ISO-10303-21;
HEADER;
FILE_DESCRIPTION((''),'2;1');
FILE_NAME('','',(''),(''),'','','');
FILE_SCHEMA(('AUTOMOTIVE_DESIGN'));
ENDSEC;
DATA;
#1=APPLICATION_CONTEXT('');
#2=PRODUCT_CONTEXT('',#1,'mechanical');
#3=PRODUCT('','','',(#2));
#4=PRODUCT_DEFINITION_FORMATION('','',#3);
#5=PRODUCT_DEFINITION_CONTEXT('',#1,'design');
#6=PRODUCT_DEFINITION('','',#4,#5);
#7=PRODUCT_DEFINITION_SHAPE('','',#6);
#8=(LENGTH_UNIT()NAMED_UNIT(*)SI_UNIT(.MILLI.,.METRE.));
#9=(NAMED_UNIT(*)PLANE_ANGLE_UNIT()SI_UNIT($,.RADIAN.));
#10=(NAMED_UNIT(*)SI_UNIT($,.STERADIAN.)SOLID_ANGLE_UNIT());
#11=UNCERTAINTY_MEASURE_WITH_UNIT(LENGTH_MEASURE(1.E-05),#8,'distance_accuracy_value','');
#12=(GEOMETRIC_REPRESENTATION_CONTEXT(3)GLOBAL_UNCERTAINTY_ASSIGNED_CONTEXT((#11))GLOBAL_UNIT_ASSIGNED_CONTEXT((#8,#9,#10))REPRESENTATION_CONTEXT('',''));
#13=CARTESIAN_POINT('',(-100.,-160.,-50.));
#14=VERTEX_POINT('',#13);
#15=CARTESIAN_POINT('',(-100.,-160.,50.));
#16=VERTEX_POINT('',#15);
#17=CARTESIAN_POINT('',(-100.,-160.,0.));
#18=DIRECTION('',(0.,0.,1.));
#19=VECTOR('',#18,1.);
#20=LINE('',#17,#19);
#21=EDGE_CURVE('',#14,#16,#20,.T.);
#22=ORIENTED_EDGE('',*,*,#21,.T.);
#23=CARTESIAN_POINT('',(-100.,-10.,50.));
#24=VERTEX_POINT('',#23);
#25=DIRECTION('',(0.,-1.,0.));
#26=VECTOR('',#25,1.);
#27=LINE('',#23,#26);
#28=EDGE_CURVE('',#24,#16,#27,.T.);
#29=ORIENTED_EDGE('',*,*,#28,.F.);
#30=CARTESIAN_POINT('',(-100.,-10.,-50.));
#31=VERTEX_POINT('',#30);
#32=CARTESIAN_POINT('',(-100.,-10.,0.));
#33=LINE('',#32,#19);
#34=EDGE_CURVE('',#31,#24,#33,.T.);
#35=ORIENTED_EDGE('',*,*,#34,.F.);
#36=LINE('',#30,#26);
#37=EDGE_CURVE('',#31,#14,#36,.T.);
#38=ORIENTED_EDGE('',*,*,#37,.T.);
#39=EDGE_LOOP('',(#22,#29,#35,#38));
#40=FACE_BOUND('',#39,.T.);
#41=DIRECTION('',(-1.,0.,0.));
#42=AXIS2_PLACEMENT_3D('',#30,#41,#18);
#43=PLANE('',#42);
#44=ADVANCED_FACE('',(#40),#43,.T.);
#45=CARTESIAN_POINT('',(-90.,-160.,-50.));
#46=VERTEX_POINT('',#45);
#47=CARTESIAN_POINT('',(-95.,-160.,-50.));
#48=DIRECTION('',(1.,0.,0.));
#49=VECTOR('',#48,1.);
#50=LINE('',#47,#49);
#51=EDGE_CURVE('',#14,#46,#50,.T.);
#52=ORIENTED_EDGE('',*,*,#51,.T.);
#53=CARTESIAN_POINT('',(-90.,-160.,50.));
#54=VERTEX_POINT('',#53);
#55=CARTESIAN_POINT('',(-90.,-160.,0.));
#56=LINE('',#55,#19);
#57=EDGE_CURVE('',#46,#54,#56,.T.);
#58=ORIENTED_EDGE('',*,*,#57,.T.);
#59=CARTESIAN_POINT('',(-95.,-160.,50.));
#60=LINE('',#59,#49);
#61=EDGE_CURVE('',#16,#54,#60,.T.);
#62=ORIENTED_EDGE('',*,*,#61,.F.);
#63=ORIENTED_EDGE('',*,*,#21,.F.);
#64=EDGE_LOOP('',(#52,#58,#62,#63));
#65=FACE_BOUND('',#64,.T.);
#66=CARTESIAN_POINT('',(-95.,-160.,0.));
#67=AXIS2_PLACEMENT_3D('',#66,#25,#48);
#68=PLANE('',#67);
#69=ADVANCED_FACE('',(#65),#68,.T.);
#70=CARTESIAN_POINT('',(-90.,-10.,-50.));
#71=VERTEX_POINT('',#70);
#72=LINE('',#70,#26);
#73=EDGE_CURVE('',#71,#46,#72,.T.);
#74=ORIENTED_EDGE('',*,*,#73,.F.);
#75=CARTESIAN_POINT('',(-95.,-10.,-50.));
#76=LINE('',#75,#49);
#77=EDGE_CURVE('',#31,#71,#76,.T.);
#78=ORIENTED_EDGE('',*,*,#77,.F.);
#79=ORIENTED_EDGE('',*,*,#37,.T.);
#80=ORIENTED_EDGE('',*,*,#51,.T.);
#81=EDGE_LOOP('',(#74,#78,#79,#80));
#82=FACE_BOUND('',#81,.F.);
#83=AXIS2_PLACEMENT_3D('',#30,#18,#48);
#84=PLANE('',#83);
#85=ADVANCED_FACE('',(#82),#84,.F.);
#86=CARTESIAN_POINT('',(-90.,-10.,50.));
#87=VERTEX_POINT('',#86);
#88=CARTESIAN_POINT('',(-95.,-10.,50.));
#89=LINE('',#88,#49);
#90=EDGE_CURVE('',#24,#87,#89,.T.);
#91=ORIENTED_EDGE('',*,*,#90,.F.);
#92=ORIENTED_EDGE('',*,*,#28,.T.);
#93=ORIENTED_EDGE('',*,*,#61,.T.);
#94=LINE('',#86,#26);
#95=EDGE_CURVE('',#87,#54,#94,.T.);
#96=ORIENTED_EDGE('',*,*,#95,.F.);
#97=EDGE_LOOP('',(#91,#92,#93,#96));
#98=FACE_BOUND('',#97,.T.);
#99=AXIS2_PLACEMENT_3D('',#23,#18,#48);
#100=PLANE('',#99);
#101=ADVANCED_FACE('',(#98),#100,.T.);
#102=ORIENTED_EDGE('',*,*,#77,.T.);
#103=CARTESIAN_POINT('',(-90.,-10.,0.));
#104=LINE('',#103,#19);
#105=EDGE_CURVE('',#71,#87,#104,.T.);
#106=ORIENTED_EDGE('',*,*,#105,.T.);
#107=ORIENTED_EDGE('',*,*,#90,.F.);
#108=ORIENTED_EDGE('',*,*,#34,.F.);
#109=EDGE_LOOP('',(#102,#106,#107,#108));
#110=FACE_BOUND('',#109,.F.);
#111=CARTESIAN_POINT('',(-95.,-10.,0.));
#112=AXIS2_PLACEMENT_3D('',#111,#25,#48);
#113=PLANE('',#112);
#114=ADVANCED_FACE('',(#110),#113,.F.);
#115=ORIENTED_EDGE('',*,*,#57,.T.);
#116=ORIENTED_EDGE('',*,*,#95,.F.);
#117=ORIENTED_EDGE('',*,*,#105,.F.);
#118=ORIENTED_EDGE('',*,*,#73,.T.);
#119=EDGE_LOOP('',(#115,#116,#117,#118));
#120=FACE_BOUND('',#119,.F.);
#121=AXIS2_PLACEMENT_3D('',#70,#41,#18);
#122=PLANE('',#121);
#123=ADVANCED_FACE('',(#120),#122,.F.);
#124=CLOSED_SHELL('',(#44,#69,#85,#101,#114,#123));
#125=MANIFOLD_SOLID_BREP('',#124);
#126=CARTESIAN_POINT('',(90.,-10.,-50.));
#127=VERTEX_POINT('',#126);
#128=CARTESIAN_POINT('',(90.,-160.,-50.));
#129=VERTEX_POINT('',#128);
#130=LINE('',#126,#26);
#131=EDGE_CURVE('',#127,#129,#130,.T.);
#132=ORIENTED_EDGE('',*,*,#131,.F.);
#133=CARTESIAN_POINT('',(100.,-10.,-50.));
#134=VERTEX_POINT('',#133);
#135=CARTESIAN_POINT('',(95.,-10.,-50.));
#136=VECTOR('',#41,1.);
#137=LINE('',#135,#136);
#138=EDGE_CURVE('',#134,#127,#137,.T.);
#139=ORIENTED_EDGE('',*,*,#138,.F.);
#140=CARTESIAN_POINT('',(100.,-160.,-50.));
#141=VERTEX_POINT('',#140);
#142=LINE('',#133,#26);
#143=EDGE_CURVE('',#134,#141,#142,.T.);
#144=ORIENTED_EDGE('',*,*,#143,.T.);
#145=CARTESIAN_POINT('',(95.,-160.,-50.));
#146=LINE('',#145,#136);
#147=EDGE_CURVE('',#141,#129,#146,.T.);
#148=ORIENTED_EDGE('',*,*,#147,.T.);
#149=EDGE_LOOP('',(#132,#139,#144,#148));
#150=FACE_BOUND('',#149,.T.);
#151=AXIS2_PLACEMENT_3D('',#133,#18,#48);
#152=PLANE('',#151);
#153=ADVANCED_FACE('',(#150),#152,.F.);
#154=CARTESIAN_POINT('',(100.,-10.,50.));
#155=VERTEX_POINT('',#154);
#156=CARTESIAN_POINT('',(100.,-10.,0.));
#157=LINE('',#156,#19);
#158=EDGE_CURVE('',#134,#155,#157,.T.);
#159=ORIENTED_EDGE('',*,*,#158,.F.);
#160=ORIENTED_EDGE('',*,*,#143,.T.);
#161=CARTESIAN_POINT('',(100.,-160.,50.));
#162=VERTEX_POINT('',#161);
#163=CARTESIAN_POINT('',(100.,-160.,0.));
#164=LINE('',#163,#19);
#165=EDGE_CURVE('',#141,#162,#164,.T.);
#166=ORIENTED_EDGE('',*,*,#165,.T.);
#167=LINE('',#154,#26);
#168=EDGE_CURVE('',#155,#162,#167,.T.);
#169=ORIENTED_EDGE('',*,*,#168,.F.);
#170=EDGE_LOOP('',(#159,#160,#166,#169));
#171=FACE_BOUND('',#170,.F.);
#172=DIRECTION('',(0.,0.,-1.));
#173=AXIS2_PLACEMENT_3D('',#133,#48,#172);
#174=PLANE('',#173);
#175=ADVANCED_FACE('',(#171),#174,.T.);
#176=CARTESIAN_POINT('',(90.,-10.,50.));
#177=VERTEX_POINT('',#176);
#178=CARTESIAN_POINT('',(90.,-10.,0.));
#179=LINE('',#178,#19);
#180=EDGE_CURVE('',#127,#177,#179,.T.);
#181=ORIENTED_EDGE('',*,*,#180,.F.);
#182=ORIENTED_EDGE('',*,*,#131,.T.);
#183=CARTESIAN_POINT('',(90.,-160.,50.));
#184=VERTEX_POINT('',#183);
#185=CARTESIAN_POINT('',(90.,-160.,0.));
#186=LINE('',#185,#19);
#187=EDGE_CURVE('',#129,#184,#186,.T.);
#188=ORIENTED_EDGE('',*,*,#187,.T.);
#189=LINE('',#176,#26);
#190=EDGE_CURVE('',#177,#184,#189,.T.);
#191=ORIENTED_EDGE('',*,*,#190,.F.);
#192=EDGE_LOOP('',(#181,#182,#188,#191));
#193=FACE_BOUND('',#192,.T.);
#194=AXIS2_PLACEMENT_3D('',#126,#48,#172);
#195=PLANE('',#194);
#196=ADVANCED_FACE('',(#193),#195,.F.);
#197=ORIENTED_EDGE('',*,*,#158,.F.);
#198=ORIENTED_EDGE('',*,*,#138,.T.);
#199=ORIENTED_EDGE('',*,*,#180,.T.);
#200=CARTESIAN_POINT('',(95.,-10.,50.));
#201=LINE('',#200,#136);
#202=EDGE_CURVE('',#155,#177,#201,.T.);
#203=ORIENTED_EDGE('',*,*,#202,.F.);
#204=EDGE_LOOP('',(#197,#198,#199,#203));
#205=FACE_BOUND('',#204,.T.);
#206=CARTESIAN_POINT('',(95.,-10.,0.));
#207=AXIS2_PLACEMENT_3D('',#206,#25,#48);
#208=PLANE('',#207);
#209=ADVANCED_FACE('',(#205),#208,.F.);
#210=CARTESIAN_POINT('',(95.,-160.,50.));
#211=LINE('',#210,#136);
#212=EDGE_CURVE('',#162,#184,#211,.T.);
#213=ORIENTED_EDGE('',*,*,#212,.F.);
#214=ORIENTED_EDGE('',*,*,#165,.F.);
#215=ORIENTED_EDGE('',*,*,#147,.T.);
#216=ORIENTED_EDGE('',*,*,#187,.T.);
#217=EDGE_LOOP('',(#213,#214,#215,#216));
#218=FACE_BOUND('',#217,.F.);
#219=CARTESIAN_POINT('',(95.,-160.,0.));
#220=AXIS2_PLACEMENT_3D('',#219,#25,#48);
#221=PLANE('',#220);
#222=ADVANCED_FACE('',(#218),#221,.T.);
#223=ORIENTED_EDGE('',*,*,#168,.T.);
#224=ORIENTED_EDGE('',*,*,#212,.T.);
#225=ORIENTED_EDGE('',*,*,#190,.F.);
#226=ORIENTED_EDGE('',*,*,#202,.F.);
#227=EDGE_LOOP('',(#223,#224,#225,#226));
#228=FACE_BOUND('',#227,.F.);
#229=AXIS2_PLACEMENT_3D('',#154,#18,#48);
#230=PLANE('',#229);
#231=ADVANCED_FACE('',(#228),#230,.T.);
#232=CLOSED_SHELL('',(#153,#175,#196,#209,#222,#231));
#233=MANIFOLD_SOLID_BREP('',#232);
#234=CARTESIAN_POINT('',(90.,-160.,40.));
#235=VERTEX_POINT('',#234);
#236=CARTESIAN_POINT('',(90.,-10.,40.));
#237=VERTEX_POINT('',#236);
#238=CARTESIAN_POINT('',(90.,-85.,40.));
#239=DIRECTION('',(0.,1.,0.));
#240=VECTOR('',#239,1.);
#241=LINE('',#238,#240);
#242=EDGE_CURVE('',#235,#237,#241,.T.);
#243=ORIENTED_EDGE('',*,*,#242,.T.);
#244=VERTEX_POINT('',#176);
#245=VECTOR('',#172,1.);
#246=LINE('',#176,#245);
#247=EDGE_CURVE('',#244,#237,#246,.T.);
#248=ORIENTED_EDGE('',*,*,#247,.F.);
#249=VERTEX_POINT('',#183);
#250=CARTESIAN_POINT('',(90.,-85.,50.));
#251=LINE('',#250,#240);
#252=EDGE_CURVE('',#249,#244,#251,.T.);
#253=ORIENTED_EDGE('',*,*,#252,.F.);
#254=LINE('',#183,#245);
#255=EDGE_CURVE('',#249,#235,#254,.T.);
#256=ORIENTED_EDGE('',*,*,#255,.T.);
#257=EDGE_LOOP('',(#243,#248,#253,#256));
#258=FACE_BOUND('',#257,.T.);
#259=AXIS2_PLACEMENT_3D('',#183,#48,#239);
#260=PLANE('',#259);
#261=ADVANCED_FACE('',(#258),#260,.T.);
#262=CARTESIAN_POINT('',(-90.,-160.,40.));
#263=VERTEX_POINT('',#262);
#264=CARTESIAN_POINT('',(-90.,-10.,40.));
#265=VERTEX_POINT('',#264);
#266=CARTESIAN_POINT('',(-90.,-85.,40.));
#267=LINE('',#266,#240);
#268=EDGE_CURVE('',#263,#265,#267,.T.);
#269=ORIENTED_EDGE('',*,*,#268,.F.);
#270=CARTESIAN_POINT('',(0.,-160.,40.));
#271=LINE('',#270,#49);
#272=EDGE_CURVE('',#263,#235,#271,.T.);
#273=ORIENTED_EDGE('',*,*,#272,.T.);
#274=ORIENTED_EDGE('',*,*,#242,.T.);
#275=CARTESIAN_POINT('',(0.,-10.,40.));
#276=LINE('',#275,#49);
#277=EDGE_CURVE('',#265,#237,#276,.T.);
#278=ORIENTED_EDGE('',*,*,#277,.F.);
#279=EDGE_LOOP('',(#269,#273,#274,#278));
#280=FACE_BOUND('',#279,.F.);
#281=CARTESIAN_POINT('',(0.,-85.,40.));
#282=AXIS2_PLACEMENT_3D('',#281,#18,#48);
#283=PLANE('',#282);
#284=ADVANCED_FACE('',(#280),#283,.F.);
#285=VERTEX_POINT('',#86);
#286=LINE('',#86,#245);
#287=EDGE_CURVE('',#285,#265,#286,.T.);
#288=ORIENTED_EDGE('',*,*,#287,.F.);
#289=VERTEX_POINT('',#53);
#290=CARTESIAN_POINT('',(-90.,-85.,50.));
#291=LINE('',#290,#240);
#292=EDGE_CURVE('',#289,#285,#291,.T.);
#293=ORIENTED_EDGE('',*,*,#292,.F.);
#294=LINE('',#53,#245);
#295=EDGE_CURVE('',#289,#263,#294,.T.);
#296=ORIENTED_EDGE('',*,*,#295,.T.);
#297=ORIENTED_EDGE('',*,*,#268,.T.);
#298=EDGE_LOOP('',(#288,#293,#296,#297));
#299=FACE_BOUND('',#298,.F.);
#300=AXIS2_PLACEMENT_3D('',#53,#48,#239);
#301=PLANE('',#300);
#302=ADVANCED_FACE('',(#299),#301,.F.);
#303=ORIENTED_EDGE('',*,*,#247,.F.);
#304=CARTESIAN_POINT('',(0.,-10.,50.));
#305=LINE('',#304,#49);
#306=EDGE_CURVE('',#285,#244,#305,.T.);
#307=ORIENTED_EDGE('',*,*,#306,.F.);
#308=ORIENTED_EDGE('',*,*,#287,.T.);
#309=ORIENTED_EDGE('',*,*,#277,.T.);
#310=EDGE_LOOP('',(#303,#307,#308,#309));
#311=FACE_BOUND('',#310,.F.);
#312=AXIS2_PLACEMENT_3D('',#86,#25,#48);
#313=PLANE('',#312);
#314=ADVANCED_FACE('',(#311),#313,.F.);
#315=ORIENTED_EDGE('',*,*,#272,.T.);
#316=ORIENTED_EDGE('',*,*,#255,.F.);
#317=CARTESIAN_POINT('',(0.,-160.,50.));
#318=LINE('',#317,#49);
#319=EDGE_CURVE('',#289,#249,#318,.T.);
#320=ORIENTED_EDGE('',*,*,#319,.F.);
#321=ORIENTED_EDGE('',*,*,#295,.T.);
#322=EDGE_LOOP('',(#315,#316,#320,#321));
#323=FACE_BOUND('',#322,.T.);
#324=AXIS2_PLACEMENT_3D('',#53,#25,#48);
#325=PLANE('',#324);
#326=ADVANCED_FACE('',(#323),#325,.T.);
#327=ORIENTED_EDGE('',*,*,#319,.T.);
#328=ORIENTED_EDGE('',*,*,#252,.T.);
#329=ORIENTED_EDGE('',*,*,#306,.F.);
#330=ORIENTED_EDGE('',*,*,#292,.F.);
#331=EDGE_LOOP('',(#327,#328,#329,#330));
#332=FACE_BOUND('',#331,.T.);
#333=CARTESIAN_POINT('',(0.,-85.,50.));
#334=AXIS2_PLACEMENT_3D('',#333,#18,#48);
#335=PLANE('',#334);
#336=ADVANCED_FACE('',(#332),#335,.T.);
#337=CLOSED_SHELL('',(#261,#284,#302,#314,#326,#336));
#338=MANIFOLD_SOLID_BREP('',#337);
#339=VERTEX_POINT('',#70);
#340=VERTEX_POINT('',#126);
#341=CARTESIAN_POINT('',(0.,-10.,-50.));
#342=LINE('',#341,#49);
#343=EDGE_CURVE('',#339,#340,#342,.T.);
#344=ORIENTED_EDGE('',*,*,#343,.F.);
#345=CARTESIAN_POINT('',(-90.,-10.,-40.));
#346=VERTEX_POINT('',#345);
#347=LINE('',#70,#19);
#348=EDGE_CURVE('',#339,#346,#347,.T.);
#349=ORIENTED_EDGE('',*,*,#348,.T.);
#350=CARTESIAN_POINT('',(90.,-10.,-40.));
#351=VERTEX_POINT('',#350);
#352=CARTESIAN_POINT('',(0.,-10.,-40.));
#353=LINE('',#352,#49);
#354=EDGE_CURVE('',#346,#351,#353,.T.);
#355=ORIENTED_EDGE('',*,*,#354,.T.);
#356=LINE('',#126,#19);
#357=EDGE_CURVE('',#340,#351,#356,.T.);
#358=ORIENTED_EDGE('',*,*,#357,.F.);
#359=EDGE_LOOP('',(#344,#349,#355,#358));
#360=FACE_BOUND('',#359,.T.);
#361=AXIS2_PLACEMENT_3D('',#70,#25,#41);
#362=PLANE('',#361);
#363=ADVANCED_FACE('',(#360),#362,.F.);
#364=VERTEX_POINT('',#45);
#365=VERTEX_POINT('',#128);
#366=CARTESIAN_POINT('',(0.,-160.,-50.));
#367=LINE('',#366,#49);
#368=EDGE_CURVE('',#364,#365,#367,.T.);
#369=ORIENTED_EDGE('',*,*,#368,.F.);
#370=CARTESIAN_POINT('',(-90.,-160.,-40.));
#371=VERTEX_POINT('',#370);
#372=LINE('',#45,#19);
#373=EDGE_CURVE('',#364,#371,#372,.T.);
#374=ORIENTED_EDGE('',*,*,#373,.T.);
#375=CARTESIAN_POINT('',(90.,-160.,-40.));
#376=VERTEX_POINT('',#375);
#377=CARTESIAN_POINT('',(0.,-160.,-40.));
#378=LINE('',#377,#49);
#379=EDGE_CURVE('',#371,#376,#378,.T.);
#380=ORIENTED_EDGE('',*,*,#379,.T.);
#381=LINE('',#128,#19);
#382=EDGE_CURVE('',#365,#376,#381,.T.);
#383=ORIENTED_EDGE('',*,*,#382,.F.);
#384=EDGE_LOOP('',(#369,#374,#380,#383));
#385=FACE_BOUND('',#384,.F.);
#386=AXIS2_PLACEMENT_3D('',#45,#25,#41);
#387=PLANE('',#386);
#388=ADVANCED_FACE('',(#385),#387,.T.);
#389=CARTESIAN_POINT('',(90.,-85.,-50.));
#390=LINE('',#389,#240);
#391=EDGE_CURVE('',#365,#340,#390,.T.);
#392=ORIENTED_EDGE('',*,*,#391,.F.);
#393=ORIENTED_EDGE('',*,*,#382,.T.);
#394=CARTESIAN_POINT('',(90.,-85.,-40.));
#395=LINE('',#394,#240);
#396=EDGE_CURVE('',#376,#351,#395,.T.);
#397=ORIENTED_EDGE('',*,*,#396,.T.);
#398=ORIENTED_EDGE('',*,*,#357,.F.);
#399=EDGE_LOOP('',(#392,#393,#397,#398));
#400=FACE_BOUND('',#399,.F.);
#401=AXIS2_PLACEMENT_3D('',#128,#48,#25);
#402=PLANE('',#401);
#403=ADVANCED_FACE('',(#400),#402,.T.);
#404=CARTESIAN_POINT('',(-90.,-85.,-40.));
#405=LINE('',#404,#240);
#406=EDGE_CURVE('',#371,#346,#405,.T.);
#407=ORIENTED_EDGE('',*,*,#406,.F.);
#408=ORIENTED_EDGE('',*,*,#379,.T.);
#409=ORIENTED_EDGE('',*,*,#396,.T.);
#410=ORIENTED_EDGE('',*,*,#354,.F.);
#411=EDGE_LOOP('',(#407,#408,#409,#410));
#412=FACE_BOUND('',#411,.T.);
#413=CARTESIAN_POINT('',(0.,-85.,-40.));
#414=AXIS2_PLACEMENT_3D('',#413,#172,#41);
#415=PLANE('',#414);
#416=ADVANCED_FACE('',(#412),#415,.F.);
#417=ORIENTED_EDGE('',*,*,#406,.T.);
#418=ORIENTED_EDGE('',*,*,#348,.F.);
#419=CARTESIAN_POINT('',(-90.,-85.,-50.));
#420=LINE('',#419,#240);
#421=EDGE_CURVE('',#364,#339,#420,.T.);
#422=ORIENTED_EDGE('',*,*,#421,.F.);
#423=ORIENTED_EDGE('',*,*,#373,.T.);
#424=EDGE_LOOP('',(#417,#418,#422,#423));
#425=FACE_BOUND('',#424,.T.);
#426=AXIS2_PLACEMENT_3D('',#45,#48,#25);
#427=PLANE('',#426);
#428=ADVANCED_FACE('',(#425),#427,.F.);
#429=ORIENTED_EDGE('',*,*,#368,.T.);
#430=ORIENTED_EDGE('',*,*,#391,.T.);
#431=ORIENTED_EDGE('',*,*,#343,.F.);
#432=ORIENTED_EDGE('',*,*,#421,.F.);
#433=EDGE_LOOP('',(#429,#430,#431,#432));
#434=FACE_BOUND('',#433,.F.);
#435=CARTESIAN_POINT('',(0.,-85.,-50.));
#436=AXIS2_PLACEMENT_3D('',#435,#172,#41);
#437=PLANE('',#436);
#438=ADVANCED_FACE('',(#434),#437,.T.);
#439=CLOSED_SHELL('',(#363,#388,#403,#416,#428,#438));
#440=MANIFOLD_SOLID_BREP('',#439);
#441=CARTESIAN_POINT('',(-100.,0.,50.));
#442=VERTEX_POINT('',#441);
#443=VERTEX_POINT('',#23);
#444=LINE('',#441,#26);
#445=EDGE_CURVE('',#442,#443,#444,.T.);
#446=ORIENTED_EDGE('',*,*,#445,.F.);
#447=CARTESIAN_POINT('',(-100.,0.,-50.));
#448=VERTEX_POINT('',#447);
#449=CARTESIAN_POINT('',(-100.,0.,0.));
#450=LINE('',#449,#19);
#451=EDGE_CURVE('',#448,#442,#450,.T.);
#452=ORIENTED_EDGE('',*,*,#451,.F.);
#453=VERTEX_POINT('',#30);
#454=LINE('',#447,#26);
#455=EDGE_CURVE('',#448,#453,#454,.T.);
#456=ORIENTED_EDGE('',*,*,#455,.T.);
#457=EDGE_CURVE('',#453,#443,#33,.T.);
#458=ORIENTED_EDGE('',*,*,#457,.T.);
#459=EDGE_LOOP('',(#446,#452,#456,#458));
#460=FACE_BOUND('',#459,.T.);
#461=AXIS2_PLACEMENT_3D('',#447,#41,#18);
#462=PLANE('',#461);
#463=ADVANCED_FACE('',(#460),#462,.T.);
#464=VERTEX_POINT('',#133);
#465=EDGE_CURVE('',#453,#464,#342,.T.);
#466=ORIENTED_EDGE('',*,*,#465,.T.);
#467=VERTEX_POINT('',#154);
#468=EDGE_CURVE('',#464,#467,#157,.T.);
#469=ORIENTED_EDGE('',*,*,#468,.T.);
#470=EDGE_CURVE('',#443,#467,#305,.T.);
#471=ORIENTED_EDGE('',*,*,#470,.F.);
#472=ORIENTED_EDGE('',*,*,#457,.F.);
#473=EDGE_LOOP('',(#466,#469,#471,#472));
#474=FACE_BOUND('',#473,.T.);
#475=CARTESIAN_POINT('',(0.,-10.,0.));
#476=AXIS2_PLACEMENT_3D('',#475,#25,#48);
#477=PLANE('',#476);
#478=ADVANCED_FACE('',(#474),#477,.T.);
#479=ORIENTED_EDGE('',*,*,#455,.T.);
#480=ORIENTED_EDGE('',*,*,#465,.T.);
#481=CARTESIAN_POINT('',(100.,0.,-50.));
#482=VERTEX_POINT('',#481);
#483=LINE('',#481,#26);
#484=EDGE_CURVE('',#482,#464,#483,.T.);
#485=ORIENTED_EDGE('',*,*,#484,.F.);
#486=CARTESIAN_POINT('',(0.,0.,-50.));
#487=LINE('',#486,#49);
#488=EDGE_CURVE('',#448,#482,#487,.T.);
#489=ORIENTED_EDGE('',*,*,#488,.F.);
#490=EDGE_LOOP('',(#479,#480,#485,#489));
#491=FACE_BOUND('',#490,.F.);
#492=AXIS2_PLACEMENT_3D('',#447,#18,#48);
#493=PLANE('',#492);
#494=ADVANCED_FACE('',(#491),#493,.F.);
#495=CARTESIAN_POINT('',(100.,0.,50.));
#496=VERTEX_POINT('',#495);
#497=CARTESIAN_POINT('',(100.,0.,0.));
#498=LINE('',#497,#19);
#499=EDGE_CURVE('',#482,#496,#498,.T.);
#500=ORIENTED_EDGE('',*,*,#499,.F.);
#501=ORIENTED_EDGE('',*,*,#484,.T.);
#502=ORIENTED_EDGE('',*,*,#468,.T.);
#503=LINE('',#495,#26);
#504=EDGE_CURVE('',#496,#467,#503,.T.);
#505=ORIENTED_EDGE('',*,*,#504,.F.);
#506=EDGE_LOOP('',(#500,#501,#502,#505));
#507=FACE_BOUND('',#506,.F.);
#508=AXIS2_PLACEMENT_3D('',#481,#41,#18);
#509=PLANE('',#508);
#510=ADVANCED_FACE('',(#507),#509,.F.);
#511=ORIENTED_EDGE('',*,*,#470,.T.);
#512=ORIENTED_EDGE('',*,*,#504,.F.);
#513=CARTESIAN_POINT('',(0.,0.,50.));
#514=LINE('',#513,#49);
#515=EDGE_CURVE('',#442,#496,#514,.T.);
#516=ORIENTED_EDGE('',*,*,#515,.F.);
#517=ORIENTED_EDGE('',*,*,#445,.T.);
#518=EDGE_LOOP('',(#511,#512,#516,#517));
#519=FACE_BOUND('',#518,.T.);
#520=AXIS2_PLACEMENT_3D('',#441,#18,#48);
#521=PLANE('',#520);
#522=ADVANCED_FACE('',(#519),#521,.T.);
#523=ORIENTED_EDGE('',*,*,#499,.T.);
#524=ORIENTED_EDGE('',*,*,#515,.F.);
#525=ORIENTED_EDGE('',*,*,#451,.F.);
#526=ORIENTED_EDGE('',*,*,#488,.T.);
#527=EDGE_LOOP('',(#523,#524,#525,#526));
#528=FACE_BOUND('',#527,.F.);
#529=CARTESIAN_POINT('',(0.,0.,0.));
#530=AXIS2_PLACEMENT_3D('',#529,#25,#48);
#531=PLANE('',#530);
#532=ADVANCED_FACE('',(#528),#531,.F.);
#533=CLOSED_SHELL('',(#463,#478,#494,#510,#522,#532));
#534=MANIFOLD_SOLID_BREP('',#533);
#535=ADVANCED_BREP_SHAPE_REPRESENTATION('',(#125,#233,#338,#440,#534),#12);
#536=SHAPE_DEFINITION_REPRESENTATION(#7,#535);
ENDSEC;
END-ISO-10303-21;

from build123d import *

# Parameters (mm, degrees)
F0_W     = 200
F0_H     = 100
F1_DEPTH = 10
F2_W     = 10
F2_H     = 100
F3_DEPTH = 150
F5_W     = 180
F5_H     = 150
F6_DEPTH = 10


with BuildPart() as f1:
    # F0 (on Front) → F1 (new body)
    with BuildSketch(Plane.XZ):
        Rectangle(F0_W, F0_H)
    extrude(amount=F1_DEPTH)


with BuildPart() as f3:
    # F2 (on face) → F3 (new body)
    with BuildSketch(Plane.XZ.offset(10)):
        with Locations((-95, 0)):
            Rectangle(F2_W, F2_H)
    extrude(amount=F3_DEPTH)


with BuildPart() as f4_1:
    # F4: instance of F3
    add(f3.part.mirror(Plane.YZ))


with BuildPart() as f6:
    # F5 (on face) → F6 (new body)
    with BuildSketch(Plane.XY.offset(50)):
        with Locations((0, -85)):
            Rectangle(F5_W, F5_H)
    extrude(amount=-F6_DEPTH)


with BuildPart() as f7_1:
    # F7: instance of F6
    add(f6.part.mirror(Plane.XY))


solid = Compound([f1.part, f3.part, f4_1.part, f6.part, f7_1.part])
